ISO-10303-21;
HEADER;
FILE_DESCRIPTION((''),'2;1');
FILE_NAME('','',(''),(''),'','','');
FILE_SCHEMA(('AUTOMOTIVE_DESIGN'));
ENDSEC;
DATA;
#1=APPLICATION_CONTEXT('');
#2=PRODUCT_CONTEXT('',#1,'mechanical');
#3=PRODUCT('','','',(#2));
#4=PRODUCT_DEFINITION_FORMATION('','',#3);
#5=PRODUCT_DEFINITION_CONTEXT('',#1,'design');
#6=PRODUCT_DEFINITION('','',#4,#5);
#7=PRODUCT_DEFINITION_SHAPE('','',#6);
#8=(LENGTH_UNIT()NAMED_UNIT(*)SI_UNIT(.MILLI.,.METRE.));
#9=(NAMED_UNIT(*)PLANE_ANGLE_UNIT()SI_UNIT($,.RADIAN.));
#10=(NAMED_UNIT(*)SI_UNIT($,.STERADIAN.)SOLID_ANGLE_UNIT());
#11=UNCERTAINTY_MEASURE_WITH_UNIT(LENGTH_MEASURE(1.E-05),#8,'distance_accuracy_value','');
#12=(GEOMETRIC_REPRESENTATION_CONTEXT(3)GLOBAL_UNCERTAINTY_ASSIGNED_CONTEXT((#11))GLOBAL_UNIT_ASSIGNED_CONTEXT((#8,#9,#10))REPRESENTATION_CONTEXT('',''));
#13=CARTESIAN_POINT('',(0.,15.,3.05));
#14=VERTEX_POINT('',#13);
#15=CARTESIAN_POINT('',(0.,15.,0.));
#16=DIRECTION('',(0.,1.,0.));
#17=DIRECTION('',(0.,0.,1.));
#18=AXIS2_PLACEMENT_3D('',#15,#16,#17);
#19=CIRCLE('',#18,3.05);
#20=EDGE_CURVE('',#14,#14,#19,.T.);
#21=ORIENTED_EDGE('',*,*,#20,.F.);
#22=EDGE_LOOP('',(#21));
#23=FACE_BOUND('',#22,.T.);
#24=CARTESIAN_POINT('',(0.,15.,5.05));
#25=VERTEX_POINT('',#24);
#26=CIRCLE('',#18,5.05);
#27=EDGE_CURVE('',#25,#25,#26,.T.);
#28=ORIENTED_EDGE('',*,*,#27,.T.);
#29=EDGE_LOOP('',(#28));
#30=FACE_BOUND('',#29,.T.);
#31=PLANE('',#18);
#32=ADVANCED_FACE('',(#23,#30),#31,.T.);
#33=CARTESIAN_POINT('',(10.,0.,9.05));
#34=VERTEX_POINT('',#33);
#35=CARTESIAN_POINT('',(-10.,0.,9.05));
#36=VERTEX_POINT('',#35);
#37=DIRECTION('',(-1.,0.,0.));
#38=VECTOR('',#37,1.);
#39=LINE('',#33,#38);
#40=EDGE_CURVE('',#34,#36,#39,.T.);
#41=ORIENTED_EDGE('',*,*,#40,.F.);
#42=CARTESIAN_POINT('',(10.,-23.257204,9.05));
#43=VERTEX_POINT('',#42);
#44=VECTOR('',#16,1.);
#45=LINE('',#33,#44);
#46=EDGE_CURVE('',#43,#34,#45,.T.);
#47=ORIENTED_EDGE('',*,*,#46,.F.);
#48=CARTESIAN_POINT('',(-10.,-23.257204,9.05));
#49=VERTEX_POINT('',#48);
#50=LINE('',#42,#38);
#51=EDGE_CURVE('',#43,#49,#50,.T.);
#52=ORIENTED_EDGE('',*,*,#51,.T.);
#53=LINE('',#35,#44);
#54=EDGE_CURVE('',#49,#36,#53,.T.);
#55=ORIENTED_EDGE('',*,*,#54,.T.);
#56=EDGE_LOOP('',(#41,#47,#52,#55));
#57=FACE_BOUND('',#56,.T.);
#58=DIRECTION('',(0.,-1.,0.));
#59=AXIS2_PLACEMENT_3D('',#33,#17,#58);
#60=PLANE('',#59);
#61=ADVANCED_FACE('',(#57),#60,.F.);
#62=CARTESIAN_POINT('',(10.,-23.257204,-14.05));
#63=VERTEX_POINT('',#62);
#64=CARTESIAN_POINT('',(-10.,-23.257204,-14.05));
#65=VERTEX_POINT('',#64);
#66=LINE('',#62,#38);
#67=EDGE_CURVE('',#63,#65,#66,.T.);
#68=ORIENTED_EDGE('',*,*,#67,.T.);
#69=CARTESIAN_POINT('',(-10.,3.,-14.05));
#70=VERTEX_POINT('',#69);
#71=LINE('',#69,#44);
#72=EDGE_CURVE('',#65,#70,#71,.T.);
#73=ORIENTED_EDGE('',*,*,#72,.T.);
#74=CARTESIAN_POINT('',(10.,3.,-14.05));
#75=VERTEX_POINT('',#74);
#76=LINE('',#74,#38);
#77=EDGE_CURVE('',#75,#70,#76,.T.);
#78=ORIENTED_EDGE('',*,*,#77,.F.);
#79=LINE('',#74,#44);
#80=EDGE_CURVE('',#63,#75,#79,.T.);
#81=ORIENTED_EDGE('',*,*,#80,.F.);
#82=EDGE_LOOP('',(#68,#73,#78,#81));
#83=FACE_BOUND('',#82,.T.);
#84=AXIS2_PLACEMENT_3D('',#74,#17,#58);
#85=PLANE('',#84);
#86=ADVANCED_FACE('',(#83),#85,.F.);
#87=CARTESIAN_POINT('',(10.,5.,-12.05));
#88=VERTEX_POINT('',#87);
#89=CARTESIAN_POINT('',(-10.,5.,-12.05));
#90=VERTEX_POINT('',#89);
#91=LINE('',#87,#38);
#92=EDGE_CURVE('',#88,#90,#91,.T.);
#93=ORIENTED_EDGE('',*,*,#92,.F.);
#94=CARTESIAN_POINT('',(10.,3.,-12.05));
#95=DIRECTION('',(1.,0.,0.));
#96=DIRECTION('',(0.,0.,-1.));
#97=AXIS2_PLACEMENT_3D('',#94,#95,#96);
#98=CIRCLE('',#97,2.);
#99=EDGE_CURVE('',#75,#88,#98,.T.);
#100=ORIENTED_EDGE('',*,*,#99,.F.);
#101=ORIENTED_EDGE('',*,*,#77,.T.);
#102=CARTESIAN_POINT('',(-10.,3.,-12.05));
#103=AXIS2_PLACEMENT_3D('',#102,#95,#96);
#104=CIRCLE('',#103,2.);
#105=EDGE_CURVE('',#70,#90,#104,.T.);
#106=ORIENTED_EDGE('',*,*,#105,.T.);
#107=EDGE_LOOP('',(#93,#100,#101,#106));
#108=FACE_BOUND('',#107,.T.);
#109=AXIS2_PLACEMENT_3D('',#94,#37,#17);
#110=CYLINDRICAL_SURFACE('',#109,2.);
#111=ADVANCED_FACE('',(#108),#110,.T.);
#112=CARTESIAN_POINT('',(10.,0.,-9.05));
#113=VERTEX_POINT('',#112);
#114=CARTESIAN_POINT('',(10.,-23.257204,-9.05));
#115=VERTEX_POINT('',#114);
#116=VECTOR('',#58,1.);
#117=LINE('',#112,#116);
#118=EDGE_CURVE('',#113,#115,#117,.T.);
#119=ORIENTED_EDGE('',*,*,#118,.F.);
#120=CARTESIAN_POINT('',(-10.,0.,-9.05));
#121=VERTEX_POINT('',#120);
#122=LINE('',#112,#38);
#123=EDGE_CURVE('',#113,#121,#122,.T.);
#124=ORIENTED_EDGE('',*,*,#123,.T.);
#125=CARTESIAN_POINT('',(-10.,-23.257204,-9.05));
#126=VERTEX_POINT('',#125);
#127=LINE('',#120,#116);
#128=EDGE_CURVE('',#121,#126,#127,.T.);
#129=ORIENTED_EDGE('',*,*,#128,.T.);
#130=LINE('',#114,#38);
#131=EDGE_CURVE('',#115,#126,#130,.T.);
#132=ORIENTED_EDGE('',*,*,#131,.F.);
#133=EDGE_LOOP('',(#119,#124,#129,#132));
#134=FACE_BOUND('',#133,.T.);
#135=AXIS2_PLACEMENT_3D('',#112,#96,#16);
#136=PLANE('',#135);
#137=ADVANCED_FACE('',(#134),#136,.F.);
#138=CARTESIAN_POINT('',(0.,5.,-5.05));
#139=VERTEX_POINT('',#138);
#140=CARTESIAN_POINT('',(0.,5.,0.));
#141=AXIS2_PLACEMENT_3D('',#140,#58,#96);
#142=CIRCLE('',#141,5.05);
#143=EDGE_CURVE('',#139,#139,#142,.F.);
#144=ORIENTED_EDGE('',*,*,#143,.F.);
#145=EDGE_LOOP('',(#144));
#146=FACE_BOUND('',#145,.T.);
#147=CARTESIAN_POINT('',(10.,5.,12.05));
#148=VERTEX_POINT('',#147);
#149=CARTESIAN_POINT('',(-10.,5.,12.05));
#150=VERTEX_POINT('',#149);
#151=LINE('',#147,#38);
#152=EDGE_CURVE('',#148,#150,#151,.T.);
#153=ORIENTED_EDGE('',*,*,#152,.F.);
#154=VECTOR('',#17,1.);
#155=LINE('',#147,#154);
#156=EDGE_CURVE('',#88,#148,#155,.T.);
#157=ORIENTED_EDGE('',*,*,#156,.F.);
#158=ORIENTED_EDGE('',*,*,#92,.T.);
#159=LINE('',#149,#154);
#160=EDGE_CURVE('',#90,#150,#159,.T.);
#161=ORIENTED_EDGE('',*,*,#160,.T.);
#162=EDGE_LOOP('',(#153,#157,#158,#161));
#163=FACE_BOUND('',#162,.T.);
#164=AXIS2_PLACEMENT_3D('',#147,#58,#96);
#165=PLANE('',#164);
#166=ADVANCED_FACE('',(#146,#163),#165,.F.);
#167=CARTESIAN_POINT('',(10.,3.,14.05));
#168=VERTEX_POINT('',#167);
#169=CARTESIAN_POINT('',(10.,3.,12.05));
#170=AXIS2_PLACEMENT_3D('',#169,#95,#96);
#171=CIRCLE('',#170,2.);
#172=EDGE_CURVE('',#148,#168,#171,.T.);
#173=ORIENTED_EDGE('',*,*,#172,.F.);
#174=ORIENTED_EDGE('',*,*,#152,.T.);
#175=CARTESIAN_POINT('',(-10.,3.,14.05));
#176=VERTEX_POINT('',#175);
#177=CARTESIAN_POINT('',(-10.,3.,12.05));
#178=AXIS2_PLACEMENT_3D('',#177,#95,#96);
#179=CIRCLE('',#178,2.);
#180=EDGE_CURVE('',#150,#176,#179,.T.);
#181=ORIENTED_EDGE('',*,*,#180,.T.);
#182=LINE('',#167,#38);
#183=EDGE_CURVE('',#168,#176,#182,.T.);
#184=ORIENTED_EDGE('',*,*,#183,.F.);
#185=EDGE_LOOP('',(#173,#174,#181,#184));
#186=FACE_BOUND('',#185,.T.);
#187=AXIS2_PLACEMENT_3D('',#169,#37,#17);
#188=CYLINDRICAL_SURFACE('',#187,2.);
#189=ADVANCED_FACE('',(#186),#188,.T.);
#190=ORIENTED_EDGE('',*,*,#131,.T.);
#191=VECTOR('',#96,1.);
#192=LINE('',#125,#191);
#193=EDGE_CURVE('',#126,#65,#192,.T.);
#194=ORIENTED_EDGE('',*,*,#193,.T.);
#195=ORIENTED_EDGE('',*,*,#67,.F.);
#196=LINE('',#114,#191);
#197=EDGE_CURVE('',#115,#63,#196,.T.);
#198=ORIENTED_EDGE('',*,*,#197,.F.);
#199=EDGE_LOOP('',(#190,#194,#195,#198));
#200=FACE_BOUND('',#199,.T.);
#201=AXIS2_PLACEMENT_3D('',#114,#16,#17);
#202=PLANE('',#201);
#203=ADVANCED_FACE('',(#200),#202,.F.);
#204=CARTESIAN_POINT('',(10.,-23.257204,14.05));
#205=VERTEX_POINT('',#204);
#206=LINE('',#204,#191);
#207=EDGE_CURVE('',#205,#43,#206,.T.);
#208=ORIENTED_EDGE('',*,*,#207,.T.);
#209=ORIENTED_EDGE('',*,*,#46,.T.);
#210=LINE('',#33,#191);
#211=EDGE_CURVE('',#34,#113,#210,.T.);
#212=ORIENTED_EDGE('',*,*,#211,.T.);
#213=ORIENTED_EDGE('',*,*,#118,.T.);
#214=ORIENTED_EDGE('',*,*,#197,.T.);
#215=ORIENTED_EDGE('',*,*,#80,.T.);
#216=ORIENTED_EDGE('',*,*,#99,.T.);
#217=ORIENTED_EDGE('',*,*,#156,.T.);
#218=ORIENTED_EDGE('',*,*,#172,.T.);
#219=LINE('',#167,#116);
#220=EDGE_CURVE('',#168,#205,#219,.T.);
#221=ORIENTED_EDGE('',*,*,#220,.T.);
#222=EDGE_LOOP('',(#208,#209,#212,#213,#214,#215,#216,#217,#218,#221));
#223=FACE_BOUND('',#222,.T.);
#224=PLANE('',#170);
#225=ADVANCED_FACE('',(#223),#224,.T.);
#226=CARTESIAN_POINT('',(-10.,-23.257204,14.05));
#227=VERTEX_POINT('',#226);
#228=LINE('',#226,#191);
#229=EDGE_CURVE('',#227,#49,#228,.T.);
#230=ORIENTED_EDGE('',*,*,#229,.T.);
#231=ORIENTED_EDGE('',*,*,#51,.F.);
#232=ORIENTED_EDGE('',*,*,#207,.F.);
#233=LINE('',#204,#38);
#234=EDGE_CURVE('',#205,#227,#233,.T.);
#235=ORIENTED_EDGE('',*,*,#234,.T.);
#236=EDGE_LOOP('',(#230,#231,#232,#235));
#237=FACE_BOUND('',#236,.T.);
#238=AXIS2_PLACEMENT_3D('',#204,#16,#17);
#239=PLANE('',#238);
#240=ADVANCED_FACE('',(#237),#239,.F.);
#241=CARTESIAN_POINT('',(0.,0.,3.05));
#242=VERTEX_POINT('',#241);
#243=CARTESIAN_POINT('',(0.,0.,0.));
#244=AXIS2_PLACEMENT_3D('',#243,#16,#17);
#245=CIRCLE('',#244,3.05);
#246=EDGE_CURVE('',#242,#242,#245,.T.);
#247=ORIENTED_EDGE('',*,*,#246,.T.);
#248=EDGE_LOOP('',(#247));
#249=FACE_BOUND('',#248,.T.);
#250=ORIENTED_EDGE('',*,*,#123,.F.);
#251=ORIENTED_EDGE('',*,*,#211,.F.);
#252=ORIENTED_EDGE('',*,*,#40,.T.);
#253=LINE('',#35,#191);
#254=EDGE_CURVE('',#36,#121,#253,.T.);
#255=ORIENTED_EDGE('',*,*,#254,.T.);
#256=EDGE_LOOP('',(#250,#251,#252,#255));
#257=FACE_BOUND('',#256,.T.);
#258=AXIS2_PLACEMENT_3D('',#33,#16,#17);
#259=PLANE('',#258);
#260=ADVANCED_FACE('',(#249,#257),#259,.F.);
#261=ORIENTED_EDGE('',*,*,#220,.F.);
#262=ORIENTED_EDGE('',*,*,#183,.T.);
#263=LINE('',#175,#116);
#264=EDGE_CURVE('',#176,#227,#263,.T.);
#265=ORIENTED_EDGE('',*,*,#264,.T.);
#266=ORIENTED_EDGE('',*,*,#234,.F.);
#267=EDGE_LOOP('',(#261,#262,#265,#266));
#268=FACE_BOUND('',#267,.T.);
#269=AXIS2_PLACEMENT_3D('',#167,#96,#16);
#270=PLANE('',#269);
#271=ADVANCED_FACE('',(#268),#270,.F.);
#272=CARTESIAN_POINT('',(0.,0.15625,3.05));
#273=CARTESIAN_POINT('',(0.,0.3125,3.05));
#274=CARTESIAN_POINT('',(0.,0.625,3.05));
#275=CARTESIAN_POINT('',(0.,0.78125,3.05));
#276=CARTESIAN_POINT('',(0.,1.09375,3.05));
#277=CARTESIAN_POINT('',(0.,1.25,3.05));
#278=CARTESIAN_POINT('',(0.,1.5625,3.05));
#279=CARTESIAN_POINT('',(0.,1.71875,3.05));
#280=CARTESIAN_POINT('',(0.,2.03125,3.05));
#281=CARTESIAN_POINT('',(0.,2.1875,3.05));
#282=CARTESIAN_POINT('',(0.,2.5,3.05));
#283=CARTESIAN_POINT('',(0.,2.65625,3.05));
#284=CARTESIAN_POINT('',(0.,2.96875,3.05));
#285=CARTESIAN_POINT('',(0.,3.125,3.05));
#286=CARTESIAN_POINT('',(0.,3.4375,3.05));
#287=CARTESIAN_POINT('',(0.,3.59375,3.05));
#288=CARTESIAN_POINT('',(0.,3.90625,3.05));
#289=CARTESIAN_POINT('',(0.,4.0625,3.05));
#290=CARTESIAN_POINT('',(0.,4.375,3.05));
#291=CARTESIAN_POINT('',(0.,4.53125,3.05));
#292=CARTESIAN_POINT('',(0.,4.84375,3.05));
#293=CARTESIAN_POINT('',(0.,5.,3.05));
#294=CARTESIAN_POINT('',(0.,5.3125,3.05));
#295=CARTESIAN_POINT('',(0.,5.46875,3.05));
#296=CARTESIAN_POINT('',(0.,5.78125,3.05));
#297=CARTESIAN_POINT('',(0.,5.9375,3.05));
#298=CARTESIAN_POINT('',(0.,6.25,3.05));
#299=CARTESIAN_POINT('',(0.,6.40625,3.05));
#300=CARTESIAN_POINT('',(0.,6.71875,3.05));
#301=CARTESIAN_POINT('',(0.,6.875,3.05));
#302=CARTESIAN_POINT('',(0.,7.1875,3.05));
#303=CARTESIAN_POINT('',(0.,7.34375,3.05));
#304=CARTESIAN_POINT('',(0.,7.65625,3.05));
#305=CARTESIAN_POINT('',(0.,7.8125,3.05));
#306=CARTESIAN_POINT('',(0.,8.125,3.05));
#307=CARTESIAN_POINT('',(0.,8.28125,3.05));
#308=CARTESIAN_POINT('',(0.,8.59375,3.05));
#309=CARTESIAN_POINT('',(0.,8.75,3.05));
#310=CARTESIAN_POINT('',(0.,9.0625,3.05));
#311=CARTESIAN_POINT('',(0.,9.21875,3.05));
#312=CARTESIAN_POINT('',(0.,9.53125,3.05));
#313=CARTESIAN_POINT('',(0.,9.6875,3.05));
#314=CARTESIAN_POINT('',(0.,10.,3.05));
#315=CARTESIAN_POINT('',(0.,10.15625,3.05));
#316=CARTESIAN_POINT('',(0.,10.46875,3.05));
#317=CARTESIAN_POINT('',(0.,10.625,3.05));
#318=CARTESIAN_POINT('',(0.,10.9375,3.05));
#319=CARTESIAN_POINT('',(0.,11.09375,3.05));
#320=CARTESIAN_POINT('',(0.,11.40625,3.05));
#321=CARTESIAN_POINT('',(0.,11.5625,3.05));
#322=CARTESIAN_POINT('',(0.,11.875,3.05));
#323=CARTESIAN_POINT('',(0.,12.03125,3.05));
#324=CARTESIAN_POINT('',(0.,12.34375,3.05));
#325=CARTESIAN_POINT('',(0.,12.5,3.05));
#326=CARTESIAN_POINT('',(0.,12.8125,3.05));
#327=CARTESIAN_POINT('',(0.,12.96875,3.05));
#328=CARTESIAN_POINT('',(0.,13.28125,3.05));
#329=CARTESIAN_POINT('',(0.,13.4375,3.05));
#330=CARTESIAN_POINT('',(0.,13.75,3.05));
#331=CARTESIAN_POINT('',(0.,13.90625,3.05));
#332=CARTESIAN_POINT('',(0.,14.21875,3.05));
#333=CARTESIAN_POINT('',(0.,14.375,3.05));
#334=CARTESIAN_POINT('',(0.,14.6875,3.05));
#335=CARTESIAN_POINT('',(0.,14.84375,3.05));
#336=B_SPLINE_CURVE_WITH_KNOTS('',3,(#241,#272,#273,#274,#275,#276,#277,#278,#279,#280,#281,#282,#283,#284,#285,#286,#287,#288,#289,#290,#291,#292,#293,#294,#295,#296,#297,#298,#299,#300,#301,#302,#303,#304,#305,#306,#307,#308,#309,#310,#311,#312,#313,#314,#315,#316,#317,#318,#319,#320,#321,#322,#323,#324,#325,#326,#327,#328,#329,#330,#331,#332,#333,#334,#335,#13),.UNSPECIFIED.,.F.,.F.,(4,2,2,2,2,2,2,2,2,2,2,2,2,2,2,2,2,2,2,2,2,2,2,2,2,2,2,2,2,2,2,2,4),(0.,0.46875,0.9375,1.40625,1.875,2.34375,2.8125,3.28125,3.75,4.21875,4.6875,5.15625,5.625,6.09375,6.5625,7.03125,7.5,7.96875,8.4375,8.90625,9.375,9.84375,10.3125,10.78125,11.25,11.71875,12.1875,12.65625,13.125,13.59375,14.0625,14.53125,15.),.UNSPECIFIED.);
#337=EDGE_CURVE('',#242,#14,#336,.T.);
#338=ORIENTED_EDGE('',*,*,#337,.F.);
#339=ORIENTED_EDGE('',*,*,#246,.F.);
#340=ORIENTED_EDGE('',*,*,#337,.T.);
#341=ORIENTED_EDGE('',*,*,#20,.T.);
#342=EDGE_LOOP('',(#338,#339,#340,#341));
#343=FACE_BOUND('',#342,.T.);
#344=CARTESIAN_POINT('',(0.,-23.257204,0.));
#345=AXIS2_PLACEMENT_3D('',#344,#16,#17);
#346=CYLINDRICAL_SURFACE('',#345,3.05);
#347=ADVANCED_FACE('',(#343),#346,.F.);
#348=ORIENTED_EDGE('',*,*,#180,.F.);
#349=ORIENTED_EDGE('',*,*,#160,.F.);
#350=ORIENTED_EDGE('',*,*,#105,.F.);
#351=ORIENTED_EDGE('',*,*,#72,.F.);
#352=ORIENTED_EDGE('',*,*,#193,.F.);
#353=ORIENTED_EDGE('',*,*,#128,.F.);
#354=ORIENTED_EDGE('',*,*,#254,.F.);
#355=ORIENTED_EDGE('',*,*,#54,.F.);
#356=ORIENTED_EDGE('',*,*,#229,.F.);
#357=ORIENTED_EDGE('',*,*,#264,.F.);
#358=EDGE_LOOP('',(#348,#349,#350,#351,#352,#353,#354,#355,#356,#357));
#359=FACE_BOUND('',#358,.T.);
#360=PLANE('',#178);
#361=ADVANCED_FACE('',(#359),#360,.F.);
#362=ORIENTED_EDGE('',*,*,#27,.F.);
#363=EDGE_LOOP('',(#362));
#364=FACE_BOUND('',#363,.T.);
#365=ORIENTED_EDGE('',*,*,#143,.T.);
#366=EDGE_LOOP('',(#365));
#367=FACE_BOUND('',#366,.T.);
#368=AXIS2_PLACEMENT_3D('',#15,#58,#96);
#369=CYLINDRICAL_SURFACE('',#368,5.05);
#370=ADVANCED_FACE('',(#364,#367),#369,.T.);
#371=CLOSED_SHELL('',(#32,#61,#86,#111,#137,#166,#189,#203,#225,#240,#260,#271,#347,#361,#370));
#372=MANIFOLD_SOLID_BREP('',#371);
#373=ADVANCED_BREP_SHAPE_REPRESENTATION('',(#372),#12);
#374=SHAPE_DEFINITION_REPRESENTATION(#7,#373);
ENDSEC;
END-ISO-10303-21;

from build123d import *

# Parameters (mm, degrees)
SALIENTE_EXTRUIR1_DEPTH = 10
CROQUIS2_R              = 3.05
CORTAR_EXTRUIR1_DEPTH   = 34.103958495
SALIENTE_EXTRUIR2_START = 10
CROQUIS3_R              = 5.05
CROQUIS3_R_2            = 3.05
SALIENTE_EXTRUIR2_DEPTH = 10


with BuildPart() as part:
    # Croquis1 → Saliente-Extruir1 (new, symmetric)
    with BuildSketch(Plane(origin=(0, 0, 0), x_dir=(0, 0, -1), z_dir=(1, 0, 0))):
        with BuildLine():
            Line((-9.05, 0), (9.05, 0))
            Line((9.05, 0), (9.05, -23.257203825))
            Line((9.05, -23.257203825), (14.05, -23.257203825))
            Line((14.05, -23.257203825), (14.05, 3))
            ThreePointArc((14.05, 3), (13.464213562, 4.414213562), (12.05, 5))
            Line((12.05, 5), (-12.05, 5))
            ThreePointArc((-12.05, 5), (-13.464213562, 4.414213562), (-14.05, 3))
            Line((-14.05, 3), (-14.05, -23.257203825))
            Line((-14.05, -23.257203825), (-9.05, -23.257203825))
            Line((-9.05, -23.257203825), (-9.05, 0))
        make_face()
    extrude(amount=SALIENTE_EXTRUIR1_DEPTH, both=True)

    # Croquis2 → Cortar-Extruir1 (cut, through all)
    with BuildSketch(Plane(origin=(0, 5, 0), x_dir=(1, 0, 0), z_dir=(0, 1, 0))):
        with Locations(Location((0, 0, 0), (0, 0, 270))):
            Circle(CROQUIS2_R)
    extrude(amount=-CORTAR_EXTRUIR1_DEPTH, mode=Mode.SUBTRACT)

    # Croquis3 → Saliente-Extruir2 (add)
    with BuildSketch(Plane(origin=(0, 5, 0), x_dir=(1, 0, 0), z_dir=(0, 1, 0)).offset(SALIENTE_EXTRUIR2_START)):
        with Locations(Location((0, 0, 0), (0, 0, 90))):
            Circle(CROQUIS3_R)
        with Locations(Location((0, 0, 0), (0, 0, 270))):
            Circle(CROQUIS3_R_2, mode=Mode.SUBTRACT)
    extrude(amount=-SALIENTE_EXTRUIR2_DEPTH)


solid = part.part
